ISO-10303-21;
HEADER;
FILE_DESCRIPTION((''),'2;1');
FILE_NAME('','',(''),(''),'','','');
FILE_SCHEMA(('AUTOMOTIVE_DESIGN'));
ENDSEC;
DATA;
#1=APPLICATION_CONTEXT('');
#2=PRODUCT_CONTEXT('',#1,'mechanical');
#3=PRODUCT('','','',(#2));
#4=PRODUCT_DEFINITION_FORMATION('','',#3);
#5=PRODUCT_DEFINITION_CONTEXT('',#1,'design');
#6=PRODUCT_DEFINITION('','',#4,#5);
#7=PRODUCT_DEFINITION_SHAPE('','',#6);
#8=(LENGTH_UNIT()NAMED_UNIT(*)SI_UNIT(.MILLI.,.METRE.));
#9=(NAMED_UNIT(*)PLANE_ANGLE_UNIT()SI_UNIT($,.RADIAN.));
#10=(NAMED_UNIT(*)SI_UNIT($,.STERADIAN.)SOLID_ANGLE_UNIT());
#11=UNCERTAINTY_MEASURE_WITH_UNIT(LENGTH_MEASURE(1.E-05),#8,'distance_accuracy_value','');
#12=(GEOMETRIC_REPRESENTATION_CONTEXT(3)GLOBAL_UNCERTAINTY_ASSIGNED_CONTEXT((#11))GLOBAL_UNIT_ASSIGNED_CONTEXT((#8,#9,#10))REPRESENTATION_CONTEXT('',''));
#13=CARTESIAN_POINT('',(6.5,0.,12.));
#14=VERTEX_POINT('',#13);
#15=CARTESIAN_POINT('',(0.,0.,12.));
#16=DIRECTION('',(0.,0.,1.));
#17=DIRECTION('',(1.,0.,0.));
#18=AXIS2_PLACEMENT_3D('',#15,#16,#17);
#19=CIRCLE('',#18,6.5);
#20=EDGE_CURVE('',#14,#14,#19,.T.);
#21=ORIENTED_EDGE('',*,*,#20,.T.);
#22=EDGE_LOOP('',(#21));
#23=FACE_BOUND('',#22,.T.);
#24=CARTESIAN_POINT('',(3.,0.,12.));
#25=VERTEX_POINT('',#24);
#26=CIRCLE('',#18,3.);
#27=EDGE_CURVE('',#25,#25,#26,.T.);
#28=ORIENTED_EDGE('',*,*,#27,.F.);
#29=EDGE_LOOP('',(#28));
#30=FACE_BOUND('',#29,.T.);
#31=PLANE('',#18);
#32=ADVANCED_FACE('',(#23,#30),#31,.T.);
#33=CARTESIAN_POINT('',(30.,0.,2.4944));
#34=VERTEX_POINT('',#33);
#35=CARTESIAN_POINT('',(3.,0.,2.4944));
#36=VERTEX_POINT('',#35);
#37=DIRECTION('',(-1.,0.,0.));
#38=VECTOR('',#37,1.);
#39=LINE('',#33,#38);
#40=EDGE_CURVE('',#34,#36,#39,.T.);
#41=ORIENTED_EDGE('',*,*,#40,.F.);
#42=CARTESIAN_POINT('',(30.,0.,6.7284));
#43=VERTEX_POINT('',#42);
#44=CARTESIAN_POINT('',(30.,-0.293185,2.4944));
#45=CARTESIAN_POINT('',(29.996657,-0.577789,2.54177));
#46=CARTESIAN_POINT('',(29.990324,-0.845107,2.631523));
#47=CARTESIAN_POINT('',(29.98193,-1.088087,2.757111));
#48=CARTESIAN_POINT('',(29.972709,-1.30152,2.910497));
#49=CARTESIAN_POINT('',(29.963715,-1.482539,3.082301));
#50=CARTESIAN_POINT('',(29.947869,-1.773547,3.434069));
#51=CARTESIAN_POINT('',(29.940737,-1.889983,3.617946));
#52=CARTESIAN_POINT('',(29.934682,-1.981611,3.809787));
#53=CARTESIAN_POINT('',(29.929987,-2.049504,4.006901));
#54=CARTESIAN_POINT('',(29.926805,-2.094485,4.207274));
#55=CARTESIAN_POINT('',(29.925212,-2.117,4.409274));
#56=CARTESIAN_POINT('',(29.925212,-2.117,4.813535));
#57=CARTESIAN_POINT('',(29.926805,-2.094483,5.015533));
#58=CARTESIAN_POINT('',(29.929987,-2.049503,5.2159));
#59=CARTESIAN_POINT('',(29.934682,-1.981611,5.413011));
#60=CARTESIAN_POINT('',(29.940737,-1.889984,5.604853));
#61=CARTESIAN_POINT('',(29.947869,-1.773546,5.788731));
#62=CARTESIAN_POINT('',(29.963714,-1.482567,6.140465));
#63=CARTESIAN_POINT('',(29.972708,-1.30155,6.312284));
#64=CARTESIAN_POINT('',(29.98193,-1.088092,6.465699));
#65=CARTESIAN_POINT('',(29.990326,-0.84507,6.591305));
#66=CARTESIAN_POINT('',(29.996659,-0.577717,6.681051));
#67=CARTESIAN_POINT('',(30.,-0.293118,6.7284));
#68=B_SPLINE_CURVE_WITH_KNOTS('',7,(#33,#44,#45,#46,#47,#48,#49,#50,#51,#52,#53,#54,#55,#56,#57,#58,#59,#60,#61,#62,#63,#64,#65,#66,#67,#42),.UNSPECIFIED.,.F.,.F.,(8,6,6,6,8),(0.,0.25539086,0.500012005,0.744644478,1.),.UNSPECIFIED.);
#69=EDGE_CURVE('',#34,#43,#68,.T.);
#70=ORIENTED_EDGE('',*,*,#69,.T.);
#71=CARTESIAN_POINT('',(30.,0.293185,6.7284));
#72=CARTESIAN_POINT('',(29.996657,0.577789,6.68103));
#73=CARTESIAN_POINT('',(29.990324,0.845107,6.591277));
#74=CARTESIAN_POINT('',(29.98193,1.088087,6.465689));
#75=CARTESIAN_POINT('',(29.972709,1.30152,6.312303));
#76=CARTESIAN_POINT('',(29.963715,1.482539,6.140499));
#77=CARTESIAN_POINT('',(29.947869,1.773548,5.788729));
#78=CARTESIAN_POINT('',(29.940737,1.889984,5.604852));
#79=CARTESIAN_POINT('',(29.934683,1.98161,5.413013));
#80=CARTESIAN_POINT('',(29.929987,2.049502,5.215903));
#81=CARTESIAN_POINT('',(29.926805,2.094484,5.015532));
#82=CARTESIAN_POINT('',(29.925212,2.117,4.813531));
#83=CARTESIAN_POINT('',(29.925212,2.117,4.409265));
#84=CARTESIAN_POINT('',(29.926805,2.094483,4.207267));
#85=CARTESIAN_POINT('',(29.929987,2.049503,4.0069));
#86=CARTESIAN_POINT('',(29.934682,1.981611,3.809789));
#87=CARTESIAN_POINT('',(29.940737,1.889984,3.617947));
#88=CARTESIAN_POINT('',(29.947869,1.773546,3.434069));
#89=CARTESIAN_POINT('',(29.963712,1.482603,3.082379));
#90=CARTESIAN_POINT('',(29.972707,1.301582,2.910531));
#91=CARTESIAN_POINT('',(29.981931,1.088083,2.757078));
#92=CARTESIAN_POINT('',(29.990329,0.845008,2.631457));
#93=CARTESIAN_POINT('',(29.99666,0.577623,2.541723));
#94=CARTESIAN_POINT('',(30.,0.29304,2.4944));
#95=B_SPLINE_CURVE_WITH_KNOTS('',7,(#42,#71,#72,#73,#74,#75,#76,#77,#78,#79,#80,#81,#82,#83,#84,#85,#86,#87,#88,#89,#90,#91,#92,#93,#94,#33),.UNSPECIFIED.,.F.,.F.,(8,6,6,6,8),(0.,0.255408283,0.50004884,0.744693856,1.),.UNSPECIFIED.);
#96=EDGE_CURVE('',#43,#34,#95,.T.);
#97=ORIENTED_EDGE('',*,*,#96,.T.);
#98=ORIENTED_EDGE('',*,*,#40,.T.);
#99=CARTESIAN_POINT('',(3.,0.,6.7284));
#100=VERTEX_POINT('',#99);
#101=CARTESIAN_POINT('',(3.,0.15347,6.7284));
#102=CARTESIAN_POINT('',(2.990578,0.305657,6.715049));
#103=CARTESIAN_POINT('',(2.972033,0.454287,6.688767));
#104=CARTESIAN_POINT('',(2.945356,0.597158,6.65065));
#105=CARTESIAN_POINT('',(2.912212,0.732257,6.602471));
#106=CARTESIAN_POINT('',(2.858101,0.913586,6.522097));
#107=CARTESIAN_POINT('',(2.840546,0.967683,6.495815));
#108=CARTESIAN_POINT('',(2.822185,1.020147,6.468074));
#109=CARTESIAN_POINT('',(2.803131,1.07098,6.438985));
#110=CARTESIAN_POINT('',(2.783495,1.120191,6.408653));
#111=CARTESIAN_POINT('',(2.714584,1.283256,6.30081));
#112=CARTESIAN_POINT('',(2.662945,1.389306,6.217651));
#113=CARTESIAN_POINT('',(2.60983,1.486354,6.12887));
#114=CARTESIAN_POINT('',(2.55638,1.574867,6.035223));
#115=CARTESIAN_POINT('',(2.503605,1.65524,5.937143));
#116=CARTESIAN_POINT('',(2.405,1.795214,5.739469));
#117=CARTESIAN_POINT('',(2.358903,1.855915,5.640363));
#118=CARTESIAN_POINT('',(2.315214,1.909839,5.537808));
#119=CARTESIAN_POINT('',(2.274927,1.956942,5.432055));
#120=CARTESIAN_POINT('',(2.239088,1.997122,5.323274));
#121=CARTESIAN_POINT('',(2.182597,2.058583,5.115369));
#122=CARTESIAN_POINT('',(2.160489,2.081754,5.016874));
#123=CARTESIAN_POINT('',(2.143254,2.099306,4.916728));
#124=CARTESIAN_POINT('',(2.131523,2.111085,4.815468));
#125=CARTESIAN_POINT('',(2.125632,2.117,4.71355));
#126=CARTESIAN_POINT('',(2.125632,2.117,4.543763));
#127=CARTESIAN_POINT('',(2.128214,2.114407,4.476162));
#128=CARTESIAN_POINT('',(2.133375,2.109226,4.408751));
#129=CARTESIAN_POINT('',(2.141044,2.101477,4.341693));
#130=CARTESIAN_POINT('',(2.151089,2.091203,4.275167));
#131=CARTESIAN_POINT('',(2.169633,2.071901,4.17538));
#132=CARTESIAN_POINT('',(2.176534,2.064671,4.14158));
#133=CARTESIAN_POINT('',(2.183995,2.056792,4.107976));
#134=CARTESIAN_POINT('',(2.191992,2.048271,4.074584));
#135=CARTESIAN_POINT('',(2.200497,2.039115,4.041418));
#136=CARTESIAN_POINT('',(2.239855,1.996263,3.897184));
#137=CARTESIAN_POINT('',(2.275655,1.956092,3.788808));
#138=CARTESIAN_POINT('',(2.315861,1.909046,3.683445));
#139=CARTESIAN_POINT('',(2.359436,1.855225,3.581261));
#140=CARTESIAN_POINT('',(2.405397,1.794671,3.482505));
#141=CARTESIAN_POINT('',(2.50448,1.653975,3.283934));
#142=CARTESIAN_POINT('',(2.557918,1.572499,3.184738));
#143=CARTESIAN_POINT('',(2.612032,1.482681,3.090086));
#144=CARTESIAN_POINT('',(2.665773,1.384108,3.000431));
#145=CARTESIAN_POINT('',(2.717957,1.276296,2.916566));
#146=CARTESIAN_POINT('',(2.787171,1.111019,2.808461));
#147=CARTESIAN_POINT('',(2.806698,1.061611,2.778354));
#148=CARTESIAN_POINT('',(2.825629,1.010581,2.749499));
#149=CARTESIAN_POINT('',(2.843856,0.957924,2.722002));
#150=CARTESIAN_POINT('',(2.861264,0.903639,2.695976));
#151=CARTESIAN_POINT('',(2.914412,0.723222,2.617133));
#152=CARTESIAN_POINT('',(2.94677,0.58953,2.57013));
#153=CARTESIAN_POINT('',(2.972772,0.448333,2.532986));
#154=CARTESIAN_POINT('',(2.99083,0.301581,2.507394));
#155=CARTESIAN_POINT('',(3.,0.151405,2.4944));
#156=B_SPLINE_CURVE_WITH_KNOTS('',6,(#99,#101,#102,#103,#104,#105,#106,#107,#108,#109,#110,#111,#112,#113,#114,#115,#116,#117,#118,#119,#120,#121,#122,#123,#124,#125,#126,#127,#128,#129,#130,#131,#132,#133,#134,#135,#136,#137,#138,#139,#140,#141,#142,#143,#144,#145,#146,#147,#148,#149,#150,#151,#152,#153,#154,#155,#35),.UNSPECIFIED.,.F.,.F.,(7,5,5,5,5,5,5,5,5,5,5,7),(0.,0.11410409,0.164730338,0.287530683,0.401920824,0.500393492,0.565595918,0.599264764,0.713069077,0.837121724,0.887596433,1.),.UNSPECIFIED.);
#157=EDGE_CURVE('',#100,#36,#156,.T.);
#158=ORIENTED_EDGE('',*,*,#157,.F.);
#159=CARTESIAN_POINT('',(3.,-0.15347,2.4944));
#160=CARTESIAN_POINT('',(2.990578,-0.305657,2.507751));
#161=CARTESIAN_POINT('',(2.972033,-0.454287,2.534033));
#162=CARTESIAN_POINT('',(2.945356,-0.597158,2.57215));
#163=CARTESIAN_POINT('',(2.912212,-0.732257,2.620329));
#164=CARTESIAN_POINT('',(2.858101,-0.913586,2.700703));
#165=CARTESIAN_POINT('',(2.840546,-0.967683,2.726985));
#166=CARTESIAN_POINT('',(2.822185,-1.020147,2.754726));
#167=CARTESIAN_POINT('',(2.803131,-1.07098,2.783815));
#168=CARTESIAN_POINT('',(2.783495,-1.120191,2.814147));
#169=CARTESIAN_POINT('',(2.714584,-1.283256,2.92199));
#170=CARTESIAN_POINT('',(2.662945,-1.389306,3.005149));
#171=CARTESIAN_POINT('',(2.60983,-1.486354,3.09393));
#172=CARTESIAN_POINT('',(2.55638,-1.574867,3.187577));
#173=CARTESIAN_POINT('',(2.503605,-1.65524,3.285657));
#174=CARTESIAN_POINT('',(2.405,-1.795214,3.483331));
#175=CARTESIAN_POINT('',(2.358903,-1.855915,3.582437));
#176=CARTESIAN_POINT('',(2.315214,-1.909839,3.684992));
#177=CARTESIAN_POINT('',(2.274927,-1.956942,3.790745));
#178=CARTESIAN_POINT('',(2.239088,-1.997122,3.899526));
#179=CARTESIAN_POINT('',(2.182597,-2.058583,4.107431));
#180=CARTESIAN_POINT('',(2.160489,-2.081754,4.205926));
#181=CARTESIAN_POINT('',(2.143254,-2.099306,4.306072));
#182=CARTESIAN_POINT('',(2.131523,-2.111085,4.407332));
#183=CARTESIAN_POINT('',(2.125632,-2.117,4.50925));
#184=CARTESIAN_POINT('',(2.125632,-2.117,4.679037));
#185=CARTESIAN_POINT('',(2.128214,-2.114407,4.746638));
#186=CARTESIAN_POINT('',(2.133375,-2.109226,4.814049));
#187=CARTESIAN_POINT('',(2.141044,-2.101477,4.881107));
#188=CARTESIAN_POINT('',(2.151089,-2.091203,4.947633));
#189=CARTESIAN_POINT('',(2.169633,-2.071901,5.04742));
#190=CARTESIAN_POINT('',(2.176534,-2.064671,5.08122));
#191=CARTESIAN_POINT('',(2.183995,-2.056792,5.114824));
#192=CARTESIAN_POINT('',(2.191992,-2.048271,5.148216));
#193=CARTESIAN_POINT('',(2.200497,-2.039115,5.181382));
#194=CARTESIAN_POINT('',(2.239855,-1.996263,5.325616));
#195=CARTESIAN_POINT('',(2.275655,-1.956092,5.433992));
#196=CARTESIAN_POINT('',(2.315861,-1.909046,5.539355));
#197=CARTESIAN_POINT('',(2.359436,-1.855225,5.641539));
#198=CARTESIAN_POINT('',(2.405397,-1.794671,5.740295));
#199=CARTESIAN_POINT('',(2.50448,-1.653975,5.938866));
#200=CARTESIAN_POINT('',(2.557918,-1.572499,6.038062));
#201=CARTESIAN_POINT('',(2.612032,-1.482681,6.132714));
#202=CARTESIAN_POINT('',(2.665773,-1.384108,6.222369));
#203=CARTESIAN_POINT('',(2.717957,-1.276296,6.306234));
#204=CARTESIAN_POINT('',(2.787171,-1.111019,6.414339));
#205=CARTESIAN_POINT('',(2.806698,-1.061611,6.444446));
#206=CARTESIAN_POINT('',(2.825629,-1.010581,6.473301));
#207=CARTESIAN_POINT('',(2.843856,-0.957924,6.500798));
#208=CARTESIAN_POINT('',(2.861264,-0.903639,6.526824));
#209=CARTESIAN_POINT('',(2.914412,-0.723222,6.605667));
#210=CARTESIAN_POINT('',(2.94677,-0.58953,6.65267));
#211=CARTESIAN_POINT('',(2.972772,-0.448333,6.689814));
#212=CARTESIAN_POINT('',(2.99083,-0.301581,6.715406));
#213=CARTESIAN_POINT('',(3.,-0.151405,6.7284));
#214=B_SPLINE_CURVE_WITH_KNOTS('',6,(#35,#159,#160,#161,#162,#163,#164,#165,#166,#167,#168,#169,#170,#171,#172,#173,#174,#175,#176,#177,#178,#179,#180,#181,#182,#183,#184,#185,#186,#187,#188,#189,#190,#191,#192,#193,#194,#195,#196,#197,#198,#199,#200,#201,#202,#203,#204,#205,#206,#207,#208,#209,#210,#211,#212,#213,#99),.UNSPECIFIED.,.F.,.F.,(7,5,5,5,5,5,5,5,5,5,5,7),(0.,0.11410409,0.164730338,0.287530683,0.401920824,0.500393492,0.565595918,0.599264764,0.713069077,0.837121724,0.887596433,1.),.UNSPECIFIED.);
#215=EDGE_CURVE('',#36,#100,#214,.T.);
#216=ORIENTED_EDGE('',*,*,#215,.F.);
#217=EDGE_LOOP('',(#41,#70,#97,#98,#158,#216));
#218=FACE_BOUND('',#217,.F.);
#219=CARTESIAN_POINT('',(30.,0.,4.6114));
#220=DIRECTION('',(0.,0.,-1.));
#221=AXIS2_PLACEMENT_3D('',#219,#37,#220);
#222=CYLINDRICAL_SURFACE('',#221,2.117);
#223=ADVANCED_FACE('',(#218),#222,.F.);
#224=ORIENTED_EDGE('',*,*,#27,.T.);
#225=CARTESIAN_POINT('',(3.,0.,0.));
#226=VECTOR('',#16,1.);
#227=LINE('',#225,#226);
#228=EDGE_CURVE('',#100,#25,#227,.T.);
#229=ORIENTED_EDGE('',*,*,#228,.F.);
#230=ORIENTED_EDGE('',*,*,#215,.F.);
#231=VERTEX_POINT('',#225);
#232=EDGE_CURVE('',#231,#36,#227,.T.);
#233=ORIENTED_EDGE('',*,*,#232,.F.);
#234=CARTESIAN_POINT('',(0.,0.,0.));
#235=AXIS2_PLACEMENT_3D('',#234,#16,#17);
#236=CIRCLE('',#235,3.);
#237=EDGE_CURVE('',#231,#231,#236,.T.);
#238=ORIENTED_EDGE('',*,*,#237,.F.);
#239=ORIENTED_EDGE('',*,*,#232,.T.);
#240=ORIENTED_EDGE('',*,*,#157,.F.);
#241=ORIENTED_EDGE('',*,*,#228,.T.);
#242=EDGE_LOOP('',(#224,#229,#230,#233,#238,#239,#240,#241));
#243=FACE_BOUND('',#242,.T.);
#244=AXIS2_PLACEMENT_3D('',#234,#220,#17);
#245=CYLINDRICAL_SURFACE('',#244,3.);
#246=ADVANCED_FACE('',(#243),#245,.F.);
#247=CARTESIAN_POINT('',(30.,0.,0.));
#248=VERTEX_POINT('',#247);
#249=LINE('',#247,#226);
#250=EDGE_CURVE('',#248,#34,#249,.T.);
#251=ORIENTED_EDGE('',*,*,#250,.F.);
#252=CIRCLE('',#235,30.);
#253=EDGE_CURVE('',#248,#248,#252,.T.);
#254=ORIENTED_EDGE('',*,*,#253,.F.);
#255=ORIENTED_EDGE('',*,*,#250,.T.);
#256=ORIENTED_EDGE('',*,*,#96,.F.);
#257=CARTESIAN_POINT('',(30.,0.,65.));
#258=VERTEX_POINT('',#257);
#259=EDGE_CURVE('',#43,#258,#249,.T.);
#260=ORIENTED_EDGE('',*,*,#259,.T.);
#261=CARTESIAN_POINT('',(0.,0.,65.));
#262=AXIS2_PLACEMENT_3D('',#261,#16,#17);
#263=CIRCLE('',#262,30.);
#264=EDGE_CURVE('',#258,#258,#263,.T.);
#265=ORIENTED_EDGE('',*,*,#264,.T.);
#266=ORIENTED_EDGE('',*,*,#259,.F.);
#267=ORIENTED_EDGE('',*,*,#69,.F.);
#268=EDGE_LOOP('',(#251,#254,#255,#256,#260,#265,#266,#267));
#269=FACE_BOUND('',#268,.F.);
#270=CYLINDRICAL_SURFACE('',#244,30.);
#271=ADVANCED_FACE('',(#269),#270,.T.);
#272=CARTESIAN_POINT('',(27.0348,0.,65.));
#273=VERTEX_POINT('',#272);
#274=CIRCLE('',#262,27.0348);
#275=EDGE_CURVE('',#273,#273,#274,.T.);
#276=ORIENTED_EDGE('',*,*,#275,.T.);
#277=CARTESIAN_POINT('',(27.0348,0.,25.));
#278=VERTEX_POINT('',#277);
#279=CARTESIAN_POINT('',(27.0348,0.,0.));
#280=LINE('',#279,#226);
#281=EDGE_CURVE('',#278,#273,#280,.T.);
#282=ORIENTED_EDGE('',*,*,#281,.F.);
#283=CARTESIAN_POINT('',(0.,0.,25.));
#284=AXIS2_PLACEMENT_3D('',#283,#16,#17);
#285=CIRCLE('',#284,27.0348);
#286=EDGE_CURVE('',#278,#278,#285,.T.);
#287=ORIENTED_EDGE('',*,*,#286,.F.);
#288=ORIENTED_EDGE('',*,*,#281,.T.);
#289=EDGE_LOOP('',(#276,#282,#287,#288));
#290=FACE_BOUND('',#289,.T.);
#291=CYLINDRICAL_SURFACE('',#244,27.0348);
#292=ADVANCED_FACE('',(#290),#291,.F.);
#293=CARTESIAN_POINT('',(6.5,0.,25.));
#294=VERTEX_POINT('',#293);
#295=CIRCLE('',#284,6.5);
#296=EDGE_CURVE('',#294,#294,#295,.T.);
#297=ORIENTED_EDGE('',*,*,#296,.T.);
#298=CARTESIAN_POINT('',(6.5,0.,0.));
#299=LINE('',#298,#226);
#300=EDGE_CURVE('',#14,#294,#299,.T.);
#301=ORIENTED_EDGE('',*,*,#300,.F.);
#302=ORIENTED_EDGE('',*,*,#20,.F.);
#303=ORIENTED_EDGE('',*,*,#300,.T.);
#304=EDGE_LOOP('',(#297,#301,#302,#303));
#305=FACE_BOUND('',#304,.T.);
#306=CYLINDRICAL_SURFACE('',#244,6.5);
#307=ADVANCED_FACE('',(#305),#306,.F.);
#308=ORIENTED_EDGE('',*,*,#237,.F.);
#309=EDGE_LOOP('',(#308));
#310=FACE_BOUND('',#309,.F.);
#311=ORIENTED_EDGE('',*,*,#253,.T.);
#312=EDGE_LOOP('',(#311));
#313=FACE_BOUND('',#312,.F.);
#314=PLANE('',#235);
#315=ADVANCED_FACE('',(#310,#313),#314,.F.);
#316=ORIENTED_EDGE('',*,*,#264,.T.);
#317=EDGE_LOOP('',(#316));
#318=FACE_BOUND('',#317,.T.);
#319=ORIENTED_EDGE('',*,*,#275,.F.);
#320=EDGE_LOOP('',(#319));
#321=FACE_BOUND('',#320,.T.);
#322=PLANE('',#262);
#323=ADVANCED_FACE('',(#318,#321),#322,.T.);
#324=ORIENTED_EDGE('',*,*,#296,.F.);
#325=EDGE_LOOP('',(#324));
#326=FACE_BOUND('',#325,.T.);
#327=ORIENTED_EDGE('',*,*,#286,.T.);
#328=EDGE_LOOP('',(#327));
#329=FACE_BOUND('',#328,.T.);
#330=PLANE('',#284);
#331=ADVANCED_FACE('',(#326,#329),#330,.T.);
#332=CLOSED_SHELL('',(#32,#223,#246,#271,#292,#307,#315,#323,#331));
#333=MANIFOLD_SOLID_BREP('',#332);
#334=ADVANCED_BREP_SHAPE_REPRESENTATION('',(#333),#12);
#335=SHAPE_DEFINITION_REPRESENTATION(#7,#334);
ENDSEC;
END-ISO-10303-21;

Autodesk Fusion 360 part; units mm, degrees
sketch "Boceto1" plane through (0, 0, 0) normal (1, 0, 0) x (0, 1, 0)
sketch "Boceto2" plane through (0, 0, 0) normal (0, 0, 1) x (1, 0, 0)
  circle A0 centre (0, 0) radius 30
  circle A1 centre (0, 0) radius 3
  circle A2 centre (0, 0) radius 6.5
  line L0 (0, -30) -> (0.4326, -27.0314) construction
  circle A3 centre (0, 0) radius 27.0348
  dimension "d1" = 60
  dimension "d2" = 6
  dimension "d3" = 13
  dimension "d4" = 3
extrude "Extruir1" add sketch "Boceto2" along normal blind 12 contours A2
extrude "Extruir3" add sketch "Boceto2" along normal blind 25 contours A3
extrude "Extruir4" add sketch "Boceto2" along normal blind 65 contours A0
hole "Agujero1" at (30, 0, 4.6114) direction (-1, 0, 0) diameter 4.234 depth 29 tip angle 180
extrude "Extruir2" [suppressed]
